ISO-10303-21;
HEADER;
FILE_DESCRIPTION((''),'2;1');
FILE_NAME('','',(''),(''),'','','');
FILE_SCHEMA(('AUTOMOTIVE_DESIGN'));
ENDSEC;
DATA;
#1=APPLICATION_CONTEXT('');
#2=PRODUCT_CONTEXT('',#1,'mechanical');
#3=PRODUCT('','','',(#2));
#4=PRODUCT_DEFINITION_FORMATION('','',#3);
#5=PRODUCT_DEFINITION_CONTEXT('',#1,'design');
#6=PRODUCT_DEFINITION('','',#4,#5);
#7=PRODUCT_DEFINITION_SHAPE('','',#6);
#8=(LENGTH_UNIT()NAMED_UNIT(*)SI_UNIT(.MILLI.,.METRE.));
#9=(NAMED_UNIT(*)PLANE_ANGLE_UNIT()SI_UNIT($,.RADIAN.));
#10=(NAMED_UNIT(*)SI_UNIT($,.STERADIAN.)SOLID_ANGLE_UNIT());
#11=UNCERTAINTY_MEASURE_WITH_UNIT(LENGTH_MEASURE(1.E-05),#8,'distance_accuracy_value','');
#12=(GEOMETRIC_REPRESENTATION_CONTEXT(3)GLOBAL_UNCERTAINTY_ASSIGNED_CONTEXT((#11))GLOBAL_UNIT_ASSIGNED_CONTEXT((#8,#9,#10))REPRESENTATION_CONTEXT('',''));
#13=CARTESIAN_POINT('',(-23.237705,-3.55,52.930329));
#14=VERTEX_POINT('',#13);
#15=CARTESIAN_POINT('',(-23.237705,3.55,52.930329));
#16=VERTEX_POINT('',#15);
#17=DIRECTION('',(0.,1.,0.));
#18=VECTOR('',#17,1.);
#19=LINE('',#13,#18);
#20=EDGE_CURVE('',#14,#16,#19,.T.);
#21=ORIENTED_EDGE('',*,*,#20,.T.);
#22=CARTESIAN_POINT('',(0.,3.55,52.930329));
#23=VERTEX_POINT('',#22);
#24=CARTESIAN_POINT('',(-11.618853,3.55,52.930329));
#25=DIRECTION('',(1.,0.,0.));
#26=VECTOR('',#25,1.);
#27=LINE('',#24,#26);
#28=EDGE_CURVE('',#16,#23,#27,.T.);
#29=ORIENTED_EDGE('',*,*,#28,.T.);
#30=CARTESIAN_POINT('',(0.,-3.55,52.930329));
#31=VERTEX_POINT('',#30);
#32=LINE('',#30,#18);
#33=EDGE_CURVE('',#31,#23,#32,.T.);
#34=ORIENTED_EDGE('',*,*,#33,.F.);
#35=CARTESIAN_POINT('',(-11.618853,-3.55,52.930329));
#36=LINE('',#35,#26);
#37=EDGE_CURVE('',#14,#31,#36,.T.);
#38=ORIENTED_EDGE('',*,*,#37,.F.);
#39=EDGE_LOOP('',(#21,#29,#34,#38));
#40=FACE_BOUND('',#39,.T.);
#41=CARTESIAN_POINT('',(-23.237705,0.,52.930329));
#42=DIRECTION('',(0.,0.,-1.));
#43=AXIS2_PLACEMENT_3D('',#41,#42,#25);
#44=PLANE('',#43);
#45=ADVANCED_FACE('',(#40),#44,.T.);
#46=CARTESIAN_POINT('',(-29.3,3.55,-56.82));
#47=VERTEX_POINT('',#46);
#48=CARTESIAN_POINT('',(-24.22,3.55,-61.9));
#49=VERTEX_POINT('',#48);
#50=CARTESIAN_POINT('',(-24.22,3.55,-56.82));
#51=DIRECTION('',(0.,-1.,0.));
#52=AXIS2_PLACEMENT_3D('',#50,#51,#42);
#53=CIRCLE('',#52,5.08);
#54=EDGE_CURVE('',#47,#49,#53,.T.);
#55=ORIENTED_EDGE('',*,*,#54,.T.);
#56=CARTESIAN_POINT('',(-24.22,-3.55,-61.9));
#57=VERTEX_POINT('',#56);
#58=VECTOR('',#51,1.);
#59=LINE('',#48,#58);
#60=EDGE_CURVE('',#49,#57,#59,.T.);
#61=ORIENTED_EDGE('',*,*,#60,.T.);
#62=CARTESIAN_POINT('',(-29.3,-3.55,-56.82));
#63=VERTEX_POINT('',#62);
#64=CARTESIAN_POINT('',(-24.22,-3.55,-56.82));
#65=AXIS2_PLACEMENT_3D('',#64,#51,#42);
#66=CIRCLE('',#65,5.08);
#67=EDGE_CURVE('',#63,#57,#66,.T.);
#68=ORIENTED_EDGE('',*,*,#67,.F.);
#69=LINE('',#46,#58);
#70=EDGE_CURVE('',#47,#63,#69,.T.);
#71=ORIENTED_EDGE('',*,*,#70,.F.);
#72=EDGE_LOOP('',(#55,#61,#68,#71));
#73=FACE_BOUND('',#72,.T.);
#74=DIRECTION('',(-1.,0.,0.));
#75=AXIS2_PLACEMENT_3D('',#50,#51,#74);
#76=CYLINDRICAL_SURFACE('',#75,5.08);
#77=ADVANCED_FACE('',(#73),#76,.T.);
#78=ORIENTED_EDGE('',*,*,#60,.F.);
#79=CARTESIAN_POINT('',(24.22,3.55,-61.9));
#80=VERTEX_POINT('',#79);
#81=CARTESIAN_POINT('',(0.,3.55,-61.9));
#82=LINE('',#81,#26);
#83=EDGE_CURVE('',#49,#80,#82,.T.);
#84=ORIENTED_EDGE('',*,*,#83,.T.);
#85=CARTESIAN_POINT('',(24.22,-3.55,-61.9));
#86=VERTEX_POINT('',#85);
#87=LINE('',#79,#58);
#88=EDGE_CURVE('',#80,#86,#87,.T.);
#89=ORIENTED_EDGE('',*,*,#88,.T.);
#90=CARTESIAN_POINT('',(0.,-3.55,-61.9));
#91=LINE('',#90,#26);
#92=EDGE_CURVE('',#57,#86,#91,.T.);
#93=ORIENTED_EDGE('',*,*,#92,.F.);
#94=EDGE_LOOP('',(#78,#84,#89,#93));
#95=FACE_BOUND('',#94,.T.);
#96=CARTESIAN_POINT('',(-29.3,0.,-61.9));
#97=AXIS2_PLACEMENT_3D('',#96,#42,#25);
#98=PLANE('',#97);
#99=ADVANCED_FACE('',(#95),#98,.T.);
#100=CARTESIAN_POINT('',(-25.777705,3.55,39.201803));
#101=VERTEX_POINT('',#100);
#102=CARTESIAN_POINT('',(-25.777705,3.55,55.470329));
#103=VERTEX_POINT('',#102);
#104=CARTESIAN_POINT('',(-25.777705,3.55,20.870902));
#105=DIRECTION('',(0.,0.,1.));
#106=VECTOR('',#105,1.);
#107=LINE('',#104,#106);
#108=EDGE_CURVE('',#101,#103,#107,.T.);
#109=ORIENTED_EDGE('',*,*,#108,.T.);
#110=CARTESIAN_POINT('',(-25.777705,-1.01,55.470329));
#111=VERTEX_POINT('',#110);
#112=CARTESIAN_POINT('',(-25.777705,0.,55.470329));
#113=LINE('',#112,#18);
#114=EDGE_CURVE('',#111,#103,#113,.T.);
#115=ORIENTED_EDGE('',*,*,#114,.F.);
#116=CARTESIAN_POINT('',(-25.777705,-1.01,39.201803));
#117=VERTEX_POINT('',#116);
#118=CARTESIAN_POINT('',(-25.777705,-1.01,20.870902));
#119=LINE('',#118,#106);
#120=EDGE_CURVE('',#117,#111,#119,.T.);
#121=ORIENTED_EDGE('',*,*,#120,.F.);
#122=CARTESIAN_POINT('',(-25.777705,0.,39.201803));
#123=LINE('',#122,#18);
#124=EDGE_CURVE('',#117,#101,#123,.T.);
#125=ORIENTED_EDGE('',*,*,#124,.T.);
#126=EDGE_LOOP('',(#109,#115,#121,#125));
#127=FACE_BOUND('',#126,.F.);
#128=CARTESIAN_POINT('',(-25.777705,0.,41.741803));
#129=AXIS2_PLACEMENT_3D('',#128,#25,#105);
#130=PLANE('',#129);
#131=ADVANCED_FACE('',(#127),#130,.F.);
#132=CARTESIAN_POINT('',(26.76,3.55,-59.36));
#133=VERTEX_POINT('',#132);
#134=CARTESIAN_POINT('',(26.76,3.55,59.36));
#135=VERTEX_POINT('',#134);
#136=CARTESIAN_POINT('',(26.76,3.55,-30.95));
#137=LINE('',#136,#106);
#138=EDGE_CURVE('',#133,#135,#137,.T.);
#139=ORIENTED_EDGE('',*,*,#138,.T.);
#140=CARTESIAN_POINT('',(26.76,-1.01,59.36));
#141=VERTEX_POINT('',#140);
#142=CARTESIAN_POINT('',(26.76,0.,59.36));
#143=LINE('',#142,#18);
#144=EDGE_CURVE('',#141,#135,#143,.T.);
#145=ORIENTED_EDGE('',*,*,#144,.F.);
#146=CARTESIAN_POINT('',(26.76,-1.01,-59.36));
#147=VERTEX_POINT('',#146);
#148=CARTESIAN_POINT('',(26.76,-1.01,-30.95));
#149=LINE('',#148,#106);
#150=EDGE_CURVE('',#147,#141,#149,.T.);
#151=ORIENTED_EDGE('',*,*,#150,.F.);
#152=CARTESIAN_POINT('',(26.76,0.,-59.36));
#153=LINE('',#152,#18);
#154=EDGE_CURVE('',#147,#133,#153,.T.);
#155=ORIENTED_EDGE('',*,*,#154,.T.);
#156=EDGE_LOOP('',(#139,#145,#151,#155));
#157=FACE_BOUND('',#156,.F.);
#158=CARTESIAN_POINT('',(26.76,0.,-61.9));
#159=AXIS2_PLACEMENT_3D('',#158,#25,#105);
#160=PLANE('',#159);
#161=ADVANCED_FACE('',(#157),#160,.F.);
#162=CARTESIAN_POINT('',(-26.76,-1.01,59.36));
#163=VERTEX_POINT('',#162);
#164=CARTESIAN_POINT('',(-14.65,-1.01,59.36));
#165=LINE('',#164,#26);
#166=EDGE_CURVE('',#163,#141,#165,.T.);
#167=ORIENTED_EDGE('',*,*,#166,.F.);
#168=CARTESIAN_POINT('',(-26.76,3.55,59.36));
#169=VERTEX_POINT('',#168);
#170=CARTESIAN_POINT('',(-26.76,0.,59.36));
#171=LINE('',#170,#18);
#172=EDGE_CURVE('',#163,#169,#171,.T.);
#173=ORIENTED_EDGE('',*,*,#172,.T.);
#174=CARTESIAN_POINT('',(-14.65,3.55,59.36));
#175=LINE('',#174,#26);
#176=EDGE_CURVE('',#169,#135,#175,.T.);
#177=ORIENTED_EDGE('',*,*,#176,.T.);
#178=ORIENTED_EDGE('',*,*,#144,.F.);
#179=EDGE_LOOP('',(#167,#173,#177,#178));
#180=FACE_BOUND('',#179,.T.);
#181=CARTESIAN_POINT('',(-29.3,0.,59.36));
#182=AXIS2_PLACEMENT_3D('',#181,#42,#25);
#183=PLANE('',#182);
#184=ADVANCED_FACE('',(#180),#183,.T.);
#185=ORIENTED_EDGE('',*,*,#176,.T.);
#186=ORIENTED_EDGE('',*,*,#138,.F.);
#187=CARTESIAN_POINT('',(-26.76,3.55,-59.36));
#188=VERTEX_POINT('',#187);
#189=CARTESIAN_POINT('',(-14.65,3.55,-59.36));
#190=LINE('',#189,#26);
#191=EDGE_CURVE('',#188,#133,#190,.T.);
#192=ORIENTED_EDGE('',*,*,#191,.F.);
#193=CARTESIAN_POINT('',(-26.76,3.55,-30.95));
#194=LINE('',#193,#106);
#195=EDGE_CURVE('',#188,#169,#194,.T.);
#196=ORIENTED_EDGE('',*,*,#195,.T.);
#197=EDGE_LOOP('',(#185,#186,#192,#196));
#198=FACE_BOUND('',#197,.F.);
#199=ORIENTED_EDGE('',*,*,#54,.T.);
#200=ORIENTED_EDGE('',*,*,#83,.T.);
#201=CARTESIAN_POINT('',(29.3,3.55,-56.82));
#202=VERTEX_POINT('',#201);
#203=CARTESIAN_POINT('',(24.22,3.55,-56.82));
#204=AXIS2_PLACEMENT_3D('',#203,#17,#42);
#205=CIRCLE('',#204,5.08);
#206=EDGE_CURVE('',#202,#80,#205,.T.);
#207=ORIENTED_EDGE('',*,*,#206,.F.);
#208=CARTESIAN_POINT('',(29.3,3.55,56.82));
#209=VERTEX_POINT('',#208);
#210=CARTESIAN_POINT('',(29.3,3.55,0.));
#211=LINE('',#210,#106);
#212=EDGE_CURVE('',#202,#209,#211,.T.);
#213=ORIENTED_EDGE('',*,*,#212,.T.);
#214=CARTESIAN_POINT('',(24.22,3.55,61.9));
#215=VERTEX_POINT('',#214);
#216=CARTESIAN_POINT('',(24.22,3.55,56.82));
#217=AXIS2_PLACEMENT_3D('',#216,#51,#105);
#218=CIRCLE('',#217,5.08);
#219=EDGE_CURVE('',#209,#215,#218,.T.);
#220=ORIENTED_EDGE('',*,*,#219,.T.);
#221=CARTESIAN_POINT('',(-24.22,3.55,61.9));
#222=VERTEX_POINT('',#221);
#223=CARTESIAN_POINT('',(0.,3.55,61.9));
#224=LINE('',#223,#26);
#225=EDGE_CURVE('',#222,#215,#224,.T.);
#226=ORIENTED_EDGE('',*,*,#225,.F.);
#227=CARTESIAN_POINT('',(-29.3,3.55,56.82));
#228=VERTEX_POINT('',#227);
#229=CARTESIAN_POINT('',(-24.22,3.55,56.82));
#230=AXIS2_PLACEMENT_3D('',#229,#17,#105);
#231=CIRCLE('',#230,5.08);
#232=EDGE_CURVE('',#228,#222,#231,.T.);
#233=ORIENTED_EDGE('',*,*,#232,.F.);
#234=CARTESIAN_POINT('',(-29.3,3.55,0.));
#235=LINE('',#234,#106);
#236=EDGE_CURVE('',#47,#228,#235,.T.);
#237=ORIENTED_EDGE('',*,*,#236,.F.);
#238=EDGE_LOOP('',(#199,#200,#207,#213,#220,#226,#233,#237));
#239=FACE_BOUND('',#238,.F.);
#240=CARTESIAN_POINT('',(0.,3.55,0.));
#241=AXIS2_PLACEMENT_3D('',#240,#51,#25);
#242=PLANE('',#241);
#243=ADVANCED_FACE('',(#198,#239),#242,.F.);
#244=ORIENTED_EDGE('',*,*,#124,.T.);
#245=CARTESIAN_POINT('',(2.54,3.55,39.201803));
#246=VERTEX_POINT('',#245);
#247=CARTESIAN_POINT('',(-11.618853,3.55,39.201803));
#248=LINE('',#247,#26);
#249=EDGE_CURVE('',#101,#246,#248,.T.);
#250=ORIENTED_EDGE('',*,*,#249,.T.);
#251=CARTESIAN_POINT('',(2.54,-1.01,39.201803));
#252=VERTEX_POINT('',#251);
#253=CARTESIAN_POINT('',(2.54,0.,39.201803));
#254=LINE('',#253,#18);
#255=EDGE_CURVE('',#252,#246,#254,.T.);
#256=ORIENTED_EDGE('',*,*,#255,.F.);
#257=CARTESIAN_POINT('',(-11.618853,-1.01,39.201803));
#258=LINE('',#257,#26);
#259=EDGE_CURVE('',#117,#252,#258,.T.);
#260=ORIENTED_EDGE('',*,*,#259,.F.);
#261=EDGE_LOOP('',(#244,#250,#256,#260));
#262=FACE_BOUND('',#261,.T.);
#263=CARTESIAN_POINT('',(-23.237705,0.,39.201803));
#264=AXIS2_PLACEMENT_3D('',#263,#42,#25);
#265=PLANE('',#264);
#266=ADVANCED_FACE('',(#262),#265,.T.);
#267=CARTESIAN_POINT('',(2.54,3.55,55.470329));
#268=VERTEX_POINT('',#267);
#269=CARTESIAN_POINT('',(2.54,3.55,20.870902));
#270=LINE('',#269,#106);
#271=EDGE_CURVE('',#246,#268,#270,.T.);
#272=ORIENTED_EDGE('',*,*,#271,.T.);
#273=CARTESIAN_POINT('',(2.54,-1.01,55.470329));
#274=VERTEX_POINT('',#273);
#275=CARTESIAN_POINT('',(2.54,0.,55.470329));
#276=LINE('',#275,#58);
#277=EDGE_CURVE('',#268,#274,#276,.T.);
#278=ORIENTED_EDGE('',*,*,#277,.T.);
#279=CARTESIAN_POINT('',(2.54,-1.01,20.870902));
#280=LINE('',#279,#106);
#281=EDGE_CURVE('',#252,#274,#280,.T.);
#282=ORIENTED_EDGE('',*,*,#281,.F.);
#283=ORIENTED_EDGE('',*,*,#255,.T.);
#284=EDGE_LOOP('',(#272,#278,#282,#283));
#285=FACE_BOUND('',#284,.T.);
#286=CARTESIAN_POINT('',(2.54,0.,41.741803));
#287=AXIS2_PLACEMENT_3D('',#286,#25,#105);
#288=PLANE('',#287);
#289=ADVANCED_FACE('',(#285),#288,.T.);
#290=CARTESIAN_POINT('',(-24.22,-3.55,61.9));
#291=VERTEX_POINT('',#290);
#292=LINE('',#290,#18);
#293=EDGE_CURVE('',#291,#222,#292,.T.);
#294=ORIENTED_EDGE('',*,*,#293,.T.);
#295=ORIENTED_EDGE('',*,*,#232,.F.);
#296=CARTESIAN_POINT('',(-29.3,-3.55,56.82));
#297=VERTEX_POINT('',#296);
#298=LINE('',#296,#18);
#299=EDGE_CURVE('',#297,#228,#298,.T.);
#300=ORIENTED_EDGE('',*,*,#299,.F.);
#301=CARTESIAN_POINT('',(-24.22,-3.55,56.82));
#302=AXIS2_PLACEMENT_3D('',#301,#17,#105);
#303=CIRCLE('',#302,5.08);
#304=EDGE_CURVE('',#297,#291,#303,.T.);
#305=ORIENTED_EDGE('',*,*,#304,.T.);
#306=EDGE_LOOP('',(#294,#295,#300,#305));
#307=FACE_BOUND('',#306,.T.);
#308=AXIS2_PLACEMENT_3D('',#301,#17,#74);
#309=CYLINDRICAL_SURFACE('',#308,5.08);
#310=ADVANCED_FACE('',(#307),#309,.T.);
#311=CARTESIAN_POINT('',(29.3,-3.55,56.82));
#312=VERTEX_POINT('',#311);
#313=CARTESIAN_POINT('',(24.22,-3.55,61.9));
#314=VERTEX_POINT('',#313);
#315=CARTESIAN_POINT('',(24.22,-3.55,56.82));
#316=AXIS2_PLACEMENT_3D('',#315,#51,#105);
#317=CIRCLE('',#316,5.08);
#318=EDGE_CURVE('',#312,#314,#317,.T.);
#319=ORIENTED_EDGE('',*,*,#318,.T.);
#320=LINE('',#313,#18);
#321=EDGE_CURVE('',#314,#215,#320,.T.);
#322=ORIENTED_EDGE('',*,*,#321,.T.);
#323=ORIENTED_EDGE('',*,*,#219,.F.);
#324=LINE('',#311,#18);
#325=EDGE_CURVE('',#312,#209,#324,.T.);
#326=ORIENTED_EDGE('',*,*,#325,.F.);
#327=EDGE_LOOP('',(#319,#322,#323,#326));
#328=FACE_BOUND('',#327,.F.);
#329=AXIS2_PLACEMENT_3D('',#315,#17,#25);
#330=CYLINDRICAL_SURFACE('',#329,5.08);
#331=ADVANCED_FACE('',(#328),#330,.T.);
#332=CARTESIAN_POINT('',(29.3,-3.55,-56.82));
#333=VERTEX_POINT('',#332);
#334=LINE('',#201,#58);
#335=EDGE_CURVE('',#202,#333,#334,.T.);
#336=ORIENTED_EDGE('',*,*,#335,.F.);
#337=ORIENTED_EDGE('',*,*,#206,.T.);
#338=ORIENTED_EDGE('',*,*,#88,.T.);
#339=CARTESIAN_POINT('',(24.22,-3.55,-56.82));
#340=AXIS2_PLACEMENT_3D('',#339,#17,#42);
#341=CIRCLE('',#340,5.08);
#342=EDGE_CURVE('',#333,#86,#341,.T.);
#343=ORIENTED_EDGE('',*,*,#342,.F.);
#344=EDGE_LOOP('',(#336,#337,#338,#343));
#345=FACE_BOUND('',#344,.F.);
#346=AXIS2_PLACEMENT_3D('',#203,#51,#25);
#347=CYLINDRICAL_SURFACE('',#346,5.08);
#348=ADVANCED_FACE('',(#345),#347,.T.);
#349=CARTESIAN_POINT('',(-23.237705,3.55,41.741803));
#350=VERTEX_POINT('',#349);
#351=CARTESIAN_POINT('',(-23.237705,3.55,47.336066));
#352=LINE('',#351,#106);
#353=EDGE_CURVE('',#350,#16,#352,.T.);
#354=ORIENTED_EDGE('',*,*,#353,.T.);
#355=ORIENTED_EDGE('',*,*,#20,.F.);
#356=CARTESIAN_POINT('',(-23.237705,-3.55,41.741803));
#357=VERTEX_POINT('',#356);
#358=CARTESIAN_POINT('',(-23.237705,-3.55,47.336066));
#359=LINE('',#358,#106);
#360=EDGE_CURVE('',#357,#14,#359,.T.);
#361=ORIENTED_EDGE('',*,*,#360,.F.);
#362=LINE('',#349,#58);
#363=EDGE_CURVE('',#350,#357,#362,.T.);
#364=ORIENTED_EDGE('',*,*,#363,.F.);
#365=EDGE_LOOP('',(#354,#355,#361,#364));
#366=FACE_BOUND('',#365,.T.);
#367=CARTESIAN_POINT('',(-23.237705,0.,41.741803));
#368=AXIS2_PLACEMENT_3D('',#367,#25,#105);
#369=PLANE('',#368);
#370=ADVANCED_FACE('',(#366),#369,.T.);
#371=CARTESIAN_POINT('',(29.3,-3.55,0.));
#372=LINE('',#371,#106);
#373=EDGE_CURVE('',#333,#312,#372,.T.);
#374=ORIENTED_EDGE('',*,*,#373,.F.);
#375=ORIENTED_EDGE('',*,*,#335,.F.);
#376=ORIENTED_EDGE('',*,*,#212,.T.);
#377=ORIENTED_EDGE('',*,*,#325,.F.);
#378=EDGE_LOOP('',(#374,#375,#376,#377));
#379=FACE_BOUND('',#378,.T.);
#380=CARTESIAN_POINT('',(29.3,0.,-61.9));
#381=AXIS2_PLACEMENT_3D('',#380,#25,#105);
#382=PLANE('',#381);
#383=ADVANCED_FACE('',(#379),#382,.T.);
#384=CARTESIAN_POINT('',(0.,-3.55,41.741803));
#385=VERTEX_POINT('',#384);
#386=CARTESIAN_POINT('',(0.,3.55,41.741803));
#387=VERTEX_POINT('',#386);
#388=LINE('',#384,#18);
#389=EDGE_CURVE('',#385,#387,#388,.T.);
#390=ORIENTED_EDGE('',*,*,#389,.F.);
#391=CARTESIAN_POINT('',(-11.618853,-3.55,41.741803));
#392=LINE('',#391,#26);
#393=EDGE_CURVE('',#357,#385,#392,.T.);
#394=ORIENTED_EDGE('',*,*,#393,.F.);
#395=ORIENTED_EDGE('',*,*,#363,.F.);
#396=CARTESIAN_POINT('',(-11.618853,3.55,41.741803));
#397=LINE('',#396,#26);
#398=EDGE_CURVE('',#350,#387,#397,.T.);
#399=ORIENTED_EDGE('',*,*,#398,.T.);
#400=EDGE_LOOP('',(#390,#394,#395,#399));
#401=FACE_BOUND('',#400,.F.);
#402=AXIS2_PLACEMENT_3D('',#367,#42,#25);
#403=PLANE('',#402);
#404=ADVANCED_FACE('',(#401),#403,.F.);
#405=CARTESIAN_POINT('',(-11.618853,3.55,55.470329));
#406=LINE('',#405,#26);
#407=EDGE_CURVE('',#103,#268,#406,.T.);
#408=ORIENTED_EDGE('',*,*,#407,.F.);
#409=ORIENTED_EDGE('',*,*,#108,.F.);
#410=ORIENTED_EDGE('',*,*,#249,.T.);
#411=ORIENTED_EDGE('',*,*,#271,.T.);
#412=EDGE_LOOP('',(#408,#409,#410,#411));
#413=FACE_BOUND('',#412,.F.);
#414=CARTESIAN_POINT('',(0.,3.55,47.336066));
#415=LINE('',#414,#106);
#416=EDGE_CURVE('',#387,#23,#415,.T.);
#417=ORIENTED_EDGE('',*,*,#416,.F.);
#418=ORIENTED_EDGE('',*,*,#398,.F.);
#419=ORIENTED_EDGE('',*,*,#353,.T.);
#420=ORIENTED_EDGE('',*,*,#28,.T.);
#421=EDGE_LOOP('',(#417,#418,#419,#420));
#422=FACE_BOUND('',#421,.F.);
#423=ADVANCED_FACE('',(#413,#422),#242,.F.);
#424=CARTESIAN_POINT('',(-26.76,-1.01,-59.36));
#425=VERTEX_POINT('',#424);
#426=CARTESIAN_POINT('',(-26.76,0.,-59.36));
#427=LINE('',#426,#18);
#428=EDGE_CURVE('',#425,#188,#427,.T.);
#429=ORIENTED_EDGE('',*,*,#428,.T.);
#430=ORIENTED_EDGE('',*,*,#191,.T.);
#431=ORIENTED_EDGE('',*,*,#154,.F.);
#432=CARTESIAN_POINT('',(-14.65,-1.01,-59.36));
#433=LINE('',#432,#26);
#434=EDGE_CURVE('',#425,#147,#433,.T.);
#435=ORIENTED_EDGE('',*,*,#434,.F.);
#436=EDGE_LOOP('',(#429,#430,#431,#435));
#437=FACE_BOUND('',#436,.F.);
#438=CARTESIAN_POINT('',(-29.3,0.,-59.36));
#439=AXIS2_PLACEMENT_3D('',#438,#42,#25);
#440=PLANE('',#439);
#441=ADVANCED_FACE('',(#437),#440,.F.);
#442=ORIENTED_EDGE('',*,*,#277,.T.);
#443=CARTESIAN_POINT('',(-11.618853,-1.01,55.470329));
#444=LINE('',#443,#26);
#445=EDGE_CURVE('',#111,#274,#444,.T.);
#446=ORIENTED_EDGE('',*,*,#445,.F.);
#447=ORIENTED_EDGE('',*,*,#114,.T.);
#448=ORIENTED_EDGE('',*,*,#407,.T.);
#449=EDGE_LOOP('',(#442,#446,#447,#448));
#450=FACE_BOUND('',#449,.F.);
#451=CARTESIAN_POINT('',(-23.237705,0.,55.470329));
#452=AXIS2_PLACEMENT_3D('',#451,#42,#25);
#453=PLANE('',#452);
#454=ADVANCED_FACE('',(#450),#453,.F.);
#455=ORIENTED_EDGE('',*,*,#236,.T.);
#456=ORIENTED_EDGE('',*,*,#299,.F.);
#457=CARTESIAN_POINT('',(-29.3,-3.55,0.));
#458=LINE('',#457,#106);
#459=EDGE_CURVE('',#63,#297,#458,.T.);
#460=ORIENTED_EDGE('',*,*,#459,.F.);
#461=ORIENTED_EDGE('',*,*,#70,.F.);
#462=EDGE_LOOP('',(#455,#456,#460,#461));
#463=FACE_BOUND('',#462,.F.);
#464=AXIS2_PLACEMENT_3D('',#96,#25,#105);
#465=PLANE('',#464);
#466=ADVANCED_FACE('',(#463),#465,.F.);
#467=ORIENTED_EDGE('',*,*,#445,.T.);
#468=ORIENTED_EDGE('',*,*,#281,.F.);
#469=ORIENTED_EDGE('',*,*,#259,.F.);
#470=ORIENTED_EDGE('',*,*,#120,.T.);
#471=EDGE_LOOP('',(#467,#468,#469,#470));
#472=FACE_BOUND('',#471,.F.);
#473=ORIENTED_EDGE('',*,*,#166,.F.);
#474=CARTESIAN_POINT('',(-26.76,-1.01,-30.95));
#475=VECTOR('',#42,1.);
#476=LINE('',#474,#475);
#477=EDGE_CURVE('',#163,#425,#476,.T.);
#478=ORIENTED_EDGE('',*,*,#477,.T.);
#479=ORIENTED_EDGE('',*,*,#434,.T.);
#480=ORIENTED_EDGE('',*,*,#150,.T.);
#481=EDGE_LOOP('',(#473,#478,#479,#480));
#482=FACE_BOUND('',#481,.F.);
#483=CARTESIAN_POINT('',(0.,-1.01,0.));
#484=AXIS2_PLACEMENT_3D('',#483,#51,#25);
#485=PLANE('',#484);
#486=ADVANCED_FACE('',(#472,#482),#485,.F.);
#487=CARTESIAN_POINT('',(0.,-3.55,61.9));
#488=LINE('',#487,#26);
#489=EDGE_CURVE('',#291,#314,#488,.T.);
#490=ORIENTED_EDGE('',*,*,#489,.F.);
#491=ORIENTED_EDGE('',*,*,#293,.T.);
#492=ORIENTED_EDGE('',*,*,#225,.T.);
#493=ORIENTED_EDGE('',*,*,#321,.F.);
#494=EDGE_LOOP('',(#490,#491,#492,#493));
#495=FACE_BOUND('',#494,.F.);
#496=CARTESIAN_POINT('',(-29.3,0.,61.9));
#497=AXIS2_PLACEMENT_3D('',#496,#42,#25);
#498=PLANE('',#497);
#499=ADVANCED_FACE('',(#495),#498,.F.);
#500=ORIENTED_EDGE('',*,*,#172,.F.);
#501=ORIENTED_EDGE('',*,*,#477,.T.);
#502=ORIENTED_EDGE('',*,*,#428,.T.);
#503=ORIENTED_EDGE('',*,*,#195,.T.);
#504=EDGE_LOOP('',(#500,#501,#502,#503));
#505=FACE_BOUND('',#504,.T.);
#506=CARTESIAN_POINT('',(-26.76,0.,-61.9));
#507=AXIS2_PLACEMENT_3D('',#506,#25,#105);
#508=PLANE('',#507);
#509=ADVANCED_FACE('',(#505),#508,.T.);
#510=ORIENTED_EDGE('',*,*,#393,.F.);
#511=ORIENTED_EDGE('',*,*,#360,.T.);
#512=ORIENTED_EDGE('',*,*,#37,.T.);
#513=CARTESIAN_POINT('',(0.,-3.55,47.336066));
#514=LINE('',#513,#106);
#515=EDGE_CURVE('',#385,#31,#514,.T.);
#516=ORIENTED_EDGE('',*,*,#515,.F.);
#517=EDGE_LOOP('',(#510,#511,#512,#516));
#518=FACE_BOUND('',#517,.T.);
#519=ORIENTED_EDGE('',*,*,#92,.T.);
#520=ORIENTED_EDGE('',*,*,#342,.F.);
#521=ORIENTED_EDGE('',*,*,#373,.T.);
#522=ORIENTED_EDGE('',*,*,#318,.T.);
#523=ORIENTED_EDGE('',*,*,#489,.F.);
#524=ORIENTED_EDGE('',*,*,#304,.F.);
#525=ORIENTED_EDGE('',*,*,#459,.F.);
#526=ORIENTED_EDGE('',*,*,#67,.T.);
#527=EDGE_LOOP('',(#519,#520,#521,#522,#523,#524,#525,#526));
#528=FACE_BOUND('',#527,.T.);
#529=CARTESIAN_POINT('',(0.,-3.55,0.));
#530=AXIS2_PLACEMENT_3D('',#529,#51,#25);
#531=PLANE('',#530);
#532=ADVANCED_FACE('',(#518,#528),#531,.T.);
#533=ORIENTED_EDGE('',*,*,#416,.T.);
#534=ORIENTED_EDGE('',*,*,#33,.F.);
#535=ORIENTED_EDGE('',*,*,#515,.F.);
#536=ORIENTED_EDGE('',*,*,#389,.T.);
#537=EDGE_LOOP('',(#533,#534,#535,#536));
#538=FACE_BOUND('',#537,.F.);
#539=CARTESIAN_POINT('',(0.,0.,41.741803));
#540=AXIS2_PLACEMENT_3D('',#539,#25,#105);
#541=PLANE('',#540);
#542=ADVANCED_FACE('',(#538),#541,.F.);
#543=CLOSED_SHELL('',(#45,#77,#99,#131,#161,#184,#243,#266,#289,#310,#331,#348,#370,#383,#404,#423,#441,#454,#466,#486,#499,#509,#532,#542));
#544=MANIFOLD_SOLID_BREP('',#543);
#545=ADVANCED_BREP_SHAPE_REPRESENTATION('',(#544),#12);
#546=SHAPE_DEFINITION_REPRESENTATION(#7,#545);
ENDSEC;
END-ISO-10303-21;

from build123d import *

# Parameters (mm, degrees)
F0_W     = 58.6
F0_H     = 123.8
F0_W_2   = 23.2377052307
F0_H_2   = 11.1885257065
F1_DEPTH = 3.55
F2_T     = -2.54
F3_R     = 5.08


with BuildPart() as f1:
    # F0 (on Front) → F1 (new body, symmetric)
    with BuildSketch(Plane.XZ):
        Rectangle(F0_W, F0_H)
        with Locations((-11.6188526154, 47.3360661417)):
            Rectangle(F0_W_2, F0_H_2, mode=Mode.SUBTRACT)
    extrude(amount=F1_DEPTH, both=True)

    # F2
    f2_openings = [f1.faces().sort_by_distance(p)[0] for p in [
        (0.431878, 3.55, -1.759504),
    ]]
    offset(amount=F2_T, openings=f2_openings, kind=Kind.INTERSECTION)

    # F3
    f3_edges = [f1.edges().sort_by_distance(p)[0] for p in [
        (29.3, 0, 61.9),
        (-29.3, 0, 61.9),
        (29.3, 0, -61.9),
        (-29.3, 0, -61.9),
    ]]
    fillet(f3_edges, radius=F3_R)


solid = f1.part
